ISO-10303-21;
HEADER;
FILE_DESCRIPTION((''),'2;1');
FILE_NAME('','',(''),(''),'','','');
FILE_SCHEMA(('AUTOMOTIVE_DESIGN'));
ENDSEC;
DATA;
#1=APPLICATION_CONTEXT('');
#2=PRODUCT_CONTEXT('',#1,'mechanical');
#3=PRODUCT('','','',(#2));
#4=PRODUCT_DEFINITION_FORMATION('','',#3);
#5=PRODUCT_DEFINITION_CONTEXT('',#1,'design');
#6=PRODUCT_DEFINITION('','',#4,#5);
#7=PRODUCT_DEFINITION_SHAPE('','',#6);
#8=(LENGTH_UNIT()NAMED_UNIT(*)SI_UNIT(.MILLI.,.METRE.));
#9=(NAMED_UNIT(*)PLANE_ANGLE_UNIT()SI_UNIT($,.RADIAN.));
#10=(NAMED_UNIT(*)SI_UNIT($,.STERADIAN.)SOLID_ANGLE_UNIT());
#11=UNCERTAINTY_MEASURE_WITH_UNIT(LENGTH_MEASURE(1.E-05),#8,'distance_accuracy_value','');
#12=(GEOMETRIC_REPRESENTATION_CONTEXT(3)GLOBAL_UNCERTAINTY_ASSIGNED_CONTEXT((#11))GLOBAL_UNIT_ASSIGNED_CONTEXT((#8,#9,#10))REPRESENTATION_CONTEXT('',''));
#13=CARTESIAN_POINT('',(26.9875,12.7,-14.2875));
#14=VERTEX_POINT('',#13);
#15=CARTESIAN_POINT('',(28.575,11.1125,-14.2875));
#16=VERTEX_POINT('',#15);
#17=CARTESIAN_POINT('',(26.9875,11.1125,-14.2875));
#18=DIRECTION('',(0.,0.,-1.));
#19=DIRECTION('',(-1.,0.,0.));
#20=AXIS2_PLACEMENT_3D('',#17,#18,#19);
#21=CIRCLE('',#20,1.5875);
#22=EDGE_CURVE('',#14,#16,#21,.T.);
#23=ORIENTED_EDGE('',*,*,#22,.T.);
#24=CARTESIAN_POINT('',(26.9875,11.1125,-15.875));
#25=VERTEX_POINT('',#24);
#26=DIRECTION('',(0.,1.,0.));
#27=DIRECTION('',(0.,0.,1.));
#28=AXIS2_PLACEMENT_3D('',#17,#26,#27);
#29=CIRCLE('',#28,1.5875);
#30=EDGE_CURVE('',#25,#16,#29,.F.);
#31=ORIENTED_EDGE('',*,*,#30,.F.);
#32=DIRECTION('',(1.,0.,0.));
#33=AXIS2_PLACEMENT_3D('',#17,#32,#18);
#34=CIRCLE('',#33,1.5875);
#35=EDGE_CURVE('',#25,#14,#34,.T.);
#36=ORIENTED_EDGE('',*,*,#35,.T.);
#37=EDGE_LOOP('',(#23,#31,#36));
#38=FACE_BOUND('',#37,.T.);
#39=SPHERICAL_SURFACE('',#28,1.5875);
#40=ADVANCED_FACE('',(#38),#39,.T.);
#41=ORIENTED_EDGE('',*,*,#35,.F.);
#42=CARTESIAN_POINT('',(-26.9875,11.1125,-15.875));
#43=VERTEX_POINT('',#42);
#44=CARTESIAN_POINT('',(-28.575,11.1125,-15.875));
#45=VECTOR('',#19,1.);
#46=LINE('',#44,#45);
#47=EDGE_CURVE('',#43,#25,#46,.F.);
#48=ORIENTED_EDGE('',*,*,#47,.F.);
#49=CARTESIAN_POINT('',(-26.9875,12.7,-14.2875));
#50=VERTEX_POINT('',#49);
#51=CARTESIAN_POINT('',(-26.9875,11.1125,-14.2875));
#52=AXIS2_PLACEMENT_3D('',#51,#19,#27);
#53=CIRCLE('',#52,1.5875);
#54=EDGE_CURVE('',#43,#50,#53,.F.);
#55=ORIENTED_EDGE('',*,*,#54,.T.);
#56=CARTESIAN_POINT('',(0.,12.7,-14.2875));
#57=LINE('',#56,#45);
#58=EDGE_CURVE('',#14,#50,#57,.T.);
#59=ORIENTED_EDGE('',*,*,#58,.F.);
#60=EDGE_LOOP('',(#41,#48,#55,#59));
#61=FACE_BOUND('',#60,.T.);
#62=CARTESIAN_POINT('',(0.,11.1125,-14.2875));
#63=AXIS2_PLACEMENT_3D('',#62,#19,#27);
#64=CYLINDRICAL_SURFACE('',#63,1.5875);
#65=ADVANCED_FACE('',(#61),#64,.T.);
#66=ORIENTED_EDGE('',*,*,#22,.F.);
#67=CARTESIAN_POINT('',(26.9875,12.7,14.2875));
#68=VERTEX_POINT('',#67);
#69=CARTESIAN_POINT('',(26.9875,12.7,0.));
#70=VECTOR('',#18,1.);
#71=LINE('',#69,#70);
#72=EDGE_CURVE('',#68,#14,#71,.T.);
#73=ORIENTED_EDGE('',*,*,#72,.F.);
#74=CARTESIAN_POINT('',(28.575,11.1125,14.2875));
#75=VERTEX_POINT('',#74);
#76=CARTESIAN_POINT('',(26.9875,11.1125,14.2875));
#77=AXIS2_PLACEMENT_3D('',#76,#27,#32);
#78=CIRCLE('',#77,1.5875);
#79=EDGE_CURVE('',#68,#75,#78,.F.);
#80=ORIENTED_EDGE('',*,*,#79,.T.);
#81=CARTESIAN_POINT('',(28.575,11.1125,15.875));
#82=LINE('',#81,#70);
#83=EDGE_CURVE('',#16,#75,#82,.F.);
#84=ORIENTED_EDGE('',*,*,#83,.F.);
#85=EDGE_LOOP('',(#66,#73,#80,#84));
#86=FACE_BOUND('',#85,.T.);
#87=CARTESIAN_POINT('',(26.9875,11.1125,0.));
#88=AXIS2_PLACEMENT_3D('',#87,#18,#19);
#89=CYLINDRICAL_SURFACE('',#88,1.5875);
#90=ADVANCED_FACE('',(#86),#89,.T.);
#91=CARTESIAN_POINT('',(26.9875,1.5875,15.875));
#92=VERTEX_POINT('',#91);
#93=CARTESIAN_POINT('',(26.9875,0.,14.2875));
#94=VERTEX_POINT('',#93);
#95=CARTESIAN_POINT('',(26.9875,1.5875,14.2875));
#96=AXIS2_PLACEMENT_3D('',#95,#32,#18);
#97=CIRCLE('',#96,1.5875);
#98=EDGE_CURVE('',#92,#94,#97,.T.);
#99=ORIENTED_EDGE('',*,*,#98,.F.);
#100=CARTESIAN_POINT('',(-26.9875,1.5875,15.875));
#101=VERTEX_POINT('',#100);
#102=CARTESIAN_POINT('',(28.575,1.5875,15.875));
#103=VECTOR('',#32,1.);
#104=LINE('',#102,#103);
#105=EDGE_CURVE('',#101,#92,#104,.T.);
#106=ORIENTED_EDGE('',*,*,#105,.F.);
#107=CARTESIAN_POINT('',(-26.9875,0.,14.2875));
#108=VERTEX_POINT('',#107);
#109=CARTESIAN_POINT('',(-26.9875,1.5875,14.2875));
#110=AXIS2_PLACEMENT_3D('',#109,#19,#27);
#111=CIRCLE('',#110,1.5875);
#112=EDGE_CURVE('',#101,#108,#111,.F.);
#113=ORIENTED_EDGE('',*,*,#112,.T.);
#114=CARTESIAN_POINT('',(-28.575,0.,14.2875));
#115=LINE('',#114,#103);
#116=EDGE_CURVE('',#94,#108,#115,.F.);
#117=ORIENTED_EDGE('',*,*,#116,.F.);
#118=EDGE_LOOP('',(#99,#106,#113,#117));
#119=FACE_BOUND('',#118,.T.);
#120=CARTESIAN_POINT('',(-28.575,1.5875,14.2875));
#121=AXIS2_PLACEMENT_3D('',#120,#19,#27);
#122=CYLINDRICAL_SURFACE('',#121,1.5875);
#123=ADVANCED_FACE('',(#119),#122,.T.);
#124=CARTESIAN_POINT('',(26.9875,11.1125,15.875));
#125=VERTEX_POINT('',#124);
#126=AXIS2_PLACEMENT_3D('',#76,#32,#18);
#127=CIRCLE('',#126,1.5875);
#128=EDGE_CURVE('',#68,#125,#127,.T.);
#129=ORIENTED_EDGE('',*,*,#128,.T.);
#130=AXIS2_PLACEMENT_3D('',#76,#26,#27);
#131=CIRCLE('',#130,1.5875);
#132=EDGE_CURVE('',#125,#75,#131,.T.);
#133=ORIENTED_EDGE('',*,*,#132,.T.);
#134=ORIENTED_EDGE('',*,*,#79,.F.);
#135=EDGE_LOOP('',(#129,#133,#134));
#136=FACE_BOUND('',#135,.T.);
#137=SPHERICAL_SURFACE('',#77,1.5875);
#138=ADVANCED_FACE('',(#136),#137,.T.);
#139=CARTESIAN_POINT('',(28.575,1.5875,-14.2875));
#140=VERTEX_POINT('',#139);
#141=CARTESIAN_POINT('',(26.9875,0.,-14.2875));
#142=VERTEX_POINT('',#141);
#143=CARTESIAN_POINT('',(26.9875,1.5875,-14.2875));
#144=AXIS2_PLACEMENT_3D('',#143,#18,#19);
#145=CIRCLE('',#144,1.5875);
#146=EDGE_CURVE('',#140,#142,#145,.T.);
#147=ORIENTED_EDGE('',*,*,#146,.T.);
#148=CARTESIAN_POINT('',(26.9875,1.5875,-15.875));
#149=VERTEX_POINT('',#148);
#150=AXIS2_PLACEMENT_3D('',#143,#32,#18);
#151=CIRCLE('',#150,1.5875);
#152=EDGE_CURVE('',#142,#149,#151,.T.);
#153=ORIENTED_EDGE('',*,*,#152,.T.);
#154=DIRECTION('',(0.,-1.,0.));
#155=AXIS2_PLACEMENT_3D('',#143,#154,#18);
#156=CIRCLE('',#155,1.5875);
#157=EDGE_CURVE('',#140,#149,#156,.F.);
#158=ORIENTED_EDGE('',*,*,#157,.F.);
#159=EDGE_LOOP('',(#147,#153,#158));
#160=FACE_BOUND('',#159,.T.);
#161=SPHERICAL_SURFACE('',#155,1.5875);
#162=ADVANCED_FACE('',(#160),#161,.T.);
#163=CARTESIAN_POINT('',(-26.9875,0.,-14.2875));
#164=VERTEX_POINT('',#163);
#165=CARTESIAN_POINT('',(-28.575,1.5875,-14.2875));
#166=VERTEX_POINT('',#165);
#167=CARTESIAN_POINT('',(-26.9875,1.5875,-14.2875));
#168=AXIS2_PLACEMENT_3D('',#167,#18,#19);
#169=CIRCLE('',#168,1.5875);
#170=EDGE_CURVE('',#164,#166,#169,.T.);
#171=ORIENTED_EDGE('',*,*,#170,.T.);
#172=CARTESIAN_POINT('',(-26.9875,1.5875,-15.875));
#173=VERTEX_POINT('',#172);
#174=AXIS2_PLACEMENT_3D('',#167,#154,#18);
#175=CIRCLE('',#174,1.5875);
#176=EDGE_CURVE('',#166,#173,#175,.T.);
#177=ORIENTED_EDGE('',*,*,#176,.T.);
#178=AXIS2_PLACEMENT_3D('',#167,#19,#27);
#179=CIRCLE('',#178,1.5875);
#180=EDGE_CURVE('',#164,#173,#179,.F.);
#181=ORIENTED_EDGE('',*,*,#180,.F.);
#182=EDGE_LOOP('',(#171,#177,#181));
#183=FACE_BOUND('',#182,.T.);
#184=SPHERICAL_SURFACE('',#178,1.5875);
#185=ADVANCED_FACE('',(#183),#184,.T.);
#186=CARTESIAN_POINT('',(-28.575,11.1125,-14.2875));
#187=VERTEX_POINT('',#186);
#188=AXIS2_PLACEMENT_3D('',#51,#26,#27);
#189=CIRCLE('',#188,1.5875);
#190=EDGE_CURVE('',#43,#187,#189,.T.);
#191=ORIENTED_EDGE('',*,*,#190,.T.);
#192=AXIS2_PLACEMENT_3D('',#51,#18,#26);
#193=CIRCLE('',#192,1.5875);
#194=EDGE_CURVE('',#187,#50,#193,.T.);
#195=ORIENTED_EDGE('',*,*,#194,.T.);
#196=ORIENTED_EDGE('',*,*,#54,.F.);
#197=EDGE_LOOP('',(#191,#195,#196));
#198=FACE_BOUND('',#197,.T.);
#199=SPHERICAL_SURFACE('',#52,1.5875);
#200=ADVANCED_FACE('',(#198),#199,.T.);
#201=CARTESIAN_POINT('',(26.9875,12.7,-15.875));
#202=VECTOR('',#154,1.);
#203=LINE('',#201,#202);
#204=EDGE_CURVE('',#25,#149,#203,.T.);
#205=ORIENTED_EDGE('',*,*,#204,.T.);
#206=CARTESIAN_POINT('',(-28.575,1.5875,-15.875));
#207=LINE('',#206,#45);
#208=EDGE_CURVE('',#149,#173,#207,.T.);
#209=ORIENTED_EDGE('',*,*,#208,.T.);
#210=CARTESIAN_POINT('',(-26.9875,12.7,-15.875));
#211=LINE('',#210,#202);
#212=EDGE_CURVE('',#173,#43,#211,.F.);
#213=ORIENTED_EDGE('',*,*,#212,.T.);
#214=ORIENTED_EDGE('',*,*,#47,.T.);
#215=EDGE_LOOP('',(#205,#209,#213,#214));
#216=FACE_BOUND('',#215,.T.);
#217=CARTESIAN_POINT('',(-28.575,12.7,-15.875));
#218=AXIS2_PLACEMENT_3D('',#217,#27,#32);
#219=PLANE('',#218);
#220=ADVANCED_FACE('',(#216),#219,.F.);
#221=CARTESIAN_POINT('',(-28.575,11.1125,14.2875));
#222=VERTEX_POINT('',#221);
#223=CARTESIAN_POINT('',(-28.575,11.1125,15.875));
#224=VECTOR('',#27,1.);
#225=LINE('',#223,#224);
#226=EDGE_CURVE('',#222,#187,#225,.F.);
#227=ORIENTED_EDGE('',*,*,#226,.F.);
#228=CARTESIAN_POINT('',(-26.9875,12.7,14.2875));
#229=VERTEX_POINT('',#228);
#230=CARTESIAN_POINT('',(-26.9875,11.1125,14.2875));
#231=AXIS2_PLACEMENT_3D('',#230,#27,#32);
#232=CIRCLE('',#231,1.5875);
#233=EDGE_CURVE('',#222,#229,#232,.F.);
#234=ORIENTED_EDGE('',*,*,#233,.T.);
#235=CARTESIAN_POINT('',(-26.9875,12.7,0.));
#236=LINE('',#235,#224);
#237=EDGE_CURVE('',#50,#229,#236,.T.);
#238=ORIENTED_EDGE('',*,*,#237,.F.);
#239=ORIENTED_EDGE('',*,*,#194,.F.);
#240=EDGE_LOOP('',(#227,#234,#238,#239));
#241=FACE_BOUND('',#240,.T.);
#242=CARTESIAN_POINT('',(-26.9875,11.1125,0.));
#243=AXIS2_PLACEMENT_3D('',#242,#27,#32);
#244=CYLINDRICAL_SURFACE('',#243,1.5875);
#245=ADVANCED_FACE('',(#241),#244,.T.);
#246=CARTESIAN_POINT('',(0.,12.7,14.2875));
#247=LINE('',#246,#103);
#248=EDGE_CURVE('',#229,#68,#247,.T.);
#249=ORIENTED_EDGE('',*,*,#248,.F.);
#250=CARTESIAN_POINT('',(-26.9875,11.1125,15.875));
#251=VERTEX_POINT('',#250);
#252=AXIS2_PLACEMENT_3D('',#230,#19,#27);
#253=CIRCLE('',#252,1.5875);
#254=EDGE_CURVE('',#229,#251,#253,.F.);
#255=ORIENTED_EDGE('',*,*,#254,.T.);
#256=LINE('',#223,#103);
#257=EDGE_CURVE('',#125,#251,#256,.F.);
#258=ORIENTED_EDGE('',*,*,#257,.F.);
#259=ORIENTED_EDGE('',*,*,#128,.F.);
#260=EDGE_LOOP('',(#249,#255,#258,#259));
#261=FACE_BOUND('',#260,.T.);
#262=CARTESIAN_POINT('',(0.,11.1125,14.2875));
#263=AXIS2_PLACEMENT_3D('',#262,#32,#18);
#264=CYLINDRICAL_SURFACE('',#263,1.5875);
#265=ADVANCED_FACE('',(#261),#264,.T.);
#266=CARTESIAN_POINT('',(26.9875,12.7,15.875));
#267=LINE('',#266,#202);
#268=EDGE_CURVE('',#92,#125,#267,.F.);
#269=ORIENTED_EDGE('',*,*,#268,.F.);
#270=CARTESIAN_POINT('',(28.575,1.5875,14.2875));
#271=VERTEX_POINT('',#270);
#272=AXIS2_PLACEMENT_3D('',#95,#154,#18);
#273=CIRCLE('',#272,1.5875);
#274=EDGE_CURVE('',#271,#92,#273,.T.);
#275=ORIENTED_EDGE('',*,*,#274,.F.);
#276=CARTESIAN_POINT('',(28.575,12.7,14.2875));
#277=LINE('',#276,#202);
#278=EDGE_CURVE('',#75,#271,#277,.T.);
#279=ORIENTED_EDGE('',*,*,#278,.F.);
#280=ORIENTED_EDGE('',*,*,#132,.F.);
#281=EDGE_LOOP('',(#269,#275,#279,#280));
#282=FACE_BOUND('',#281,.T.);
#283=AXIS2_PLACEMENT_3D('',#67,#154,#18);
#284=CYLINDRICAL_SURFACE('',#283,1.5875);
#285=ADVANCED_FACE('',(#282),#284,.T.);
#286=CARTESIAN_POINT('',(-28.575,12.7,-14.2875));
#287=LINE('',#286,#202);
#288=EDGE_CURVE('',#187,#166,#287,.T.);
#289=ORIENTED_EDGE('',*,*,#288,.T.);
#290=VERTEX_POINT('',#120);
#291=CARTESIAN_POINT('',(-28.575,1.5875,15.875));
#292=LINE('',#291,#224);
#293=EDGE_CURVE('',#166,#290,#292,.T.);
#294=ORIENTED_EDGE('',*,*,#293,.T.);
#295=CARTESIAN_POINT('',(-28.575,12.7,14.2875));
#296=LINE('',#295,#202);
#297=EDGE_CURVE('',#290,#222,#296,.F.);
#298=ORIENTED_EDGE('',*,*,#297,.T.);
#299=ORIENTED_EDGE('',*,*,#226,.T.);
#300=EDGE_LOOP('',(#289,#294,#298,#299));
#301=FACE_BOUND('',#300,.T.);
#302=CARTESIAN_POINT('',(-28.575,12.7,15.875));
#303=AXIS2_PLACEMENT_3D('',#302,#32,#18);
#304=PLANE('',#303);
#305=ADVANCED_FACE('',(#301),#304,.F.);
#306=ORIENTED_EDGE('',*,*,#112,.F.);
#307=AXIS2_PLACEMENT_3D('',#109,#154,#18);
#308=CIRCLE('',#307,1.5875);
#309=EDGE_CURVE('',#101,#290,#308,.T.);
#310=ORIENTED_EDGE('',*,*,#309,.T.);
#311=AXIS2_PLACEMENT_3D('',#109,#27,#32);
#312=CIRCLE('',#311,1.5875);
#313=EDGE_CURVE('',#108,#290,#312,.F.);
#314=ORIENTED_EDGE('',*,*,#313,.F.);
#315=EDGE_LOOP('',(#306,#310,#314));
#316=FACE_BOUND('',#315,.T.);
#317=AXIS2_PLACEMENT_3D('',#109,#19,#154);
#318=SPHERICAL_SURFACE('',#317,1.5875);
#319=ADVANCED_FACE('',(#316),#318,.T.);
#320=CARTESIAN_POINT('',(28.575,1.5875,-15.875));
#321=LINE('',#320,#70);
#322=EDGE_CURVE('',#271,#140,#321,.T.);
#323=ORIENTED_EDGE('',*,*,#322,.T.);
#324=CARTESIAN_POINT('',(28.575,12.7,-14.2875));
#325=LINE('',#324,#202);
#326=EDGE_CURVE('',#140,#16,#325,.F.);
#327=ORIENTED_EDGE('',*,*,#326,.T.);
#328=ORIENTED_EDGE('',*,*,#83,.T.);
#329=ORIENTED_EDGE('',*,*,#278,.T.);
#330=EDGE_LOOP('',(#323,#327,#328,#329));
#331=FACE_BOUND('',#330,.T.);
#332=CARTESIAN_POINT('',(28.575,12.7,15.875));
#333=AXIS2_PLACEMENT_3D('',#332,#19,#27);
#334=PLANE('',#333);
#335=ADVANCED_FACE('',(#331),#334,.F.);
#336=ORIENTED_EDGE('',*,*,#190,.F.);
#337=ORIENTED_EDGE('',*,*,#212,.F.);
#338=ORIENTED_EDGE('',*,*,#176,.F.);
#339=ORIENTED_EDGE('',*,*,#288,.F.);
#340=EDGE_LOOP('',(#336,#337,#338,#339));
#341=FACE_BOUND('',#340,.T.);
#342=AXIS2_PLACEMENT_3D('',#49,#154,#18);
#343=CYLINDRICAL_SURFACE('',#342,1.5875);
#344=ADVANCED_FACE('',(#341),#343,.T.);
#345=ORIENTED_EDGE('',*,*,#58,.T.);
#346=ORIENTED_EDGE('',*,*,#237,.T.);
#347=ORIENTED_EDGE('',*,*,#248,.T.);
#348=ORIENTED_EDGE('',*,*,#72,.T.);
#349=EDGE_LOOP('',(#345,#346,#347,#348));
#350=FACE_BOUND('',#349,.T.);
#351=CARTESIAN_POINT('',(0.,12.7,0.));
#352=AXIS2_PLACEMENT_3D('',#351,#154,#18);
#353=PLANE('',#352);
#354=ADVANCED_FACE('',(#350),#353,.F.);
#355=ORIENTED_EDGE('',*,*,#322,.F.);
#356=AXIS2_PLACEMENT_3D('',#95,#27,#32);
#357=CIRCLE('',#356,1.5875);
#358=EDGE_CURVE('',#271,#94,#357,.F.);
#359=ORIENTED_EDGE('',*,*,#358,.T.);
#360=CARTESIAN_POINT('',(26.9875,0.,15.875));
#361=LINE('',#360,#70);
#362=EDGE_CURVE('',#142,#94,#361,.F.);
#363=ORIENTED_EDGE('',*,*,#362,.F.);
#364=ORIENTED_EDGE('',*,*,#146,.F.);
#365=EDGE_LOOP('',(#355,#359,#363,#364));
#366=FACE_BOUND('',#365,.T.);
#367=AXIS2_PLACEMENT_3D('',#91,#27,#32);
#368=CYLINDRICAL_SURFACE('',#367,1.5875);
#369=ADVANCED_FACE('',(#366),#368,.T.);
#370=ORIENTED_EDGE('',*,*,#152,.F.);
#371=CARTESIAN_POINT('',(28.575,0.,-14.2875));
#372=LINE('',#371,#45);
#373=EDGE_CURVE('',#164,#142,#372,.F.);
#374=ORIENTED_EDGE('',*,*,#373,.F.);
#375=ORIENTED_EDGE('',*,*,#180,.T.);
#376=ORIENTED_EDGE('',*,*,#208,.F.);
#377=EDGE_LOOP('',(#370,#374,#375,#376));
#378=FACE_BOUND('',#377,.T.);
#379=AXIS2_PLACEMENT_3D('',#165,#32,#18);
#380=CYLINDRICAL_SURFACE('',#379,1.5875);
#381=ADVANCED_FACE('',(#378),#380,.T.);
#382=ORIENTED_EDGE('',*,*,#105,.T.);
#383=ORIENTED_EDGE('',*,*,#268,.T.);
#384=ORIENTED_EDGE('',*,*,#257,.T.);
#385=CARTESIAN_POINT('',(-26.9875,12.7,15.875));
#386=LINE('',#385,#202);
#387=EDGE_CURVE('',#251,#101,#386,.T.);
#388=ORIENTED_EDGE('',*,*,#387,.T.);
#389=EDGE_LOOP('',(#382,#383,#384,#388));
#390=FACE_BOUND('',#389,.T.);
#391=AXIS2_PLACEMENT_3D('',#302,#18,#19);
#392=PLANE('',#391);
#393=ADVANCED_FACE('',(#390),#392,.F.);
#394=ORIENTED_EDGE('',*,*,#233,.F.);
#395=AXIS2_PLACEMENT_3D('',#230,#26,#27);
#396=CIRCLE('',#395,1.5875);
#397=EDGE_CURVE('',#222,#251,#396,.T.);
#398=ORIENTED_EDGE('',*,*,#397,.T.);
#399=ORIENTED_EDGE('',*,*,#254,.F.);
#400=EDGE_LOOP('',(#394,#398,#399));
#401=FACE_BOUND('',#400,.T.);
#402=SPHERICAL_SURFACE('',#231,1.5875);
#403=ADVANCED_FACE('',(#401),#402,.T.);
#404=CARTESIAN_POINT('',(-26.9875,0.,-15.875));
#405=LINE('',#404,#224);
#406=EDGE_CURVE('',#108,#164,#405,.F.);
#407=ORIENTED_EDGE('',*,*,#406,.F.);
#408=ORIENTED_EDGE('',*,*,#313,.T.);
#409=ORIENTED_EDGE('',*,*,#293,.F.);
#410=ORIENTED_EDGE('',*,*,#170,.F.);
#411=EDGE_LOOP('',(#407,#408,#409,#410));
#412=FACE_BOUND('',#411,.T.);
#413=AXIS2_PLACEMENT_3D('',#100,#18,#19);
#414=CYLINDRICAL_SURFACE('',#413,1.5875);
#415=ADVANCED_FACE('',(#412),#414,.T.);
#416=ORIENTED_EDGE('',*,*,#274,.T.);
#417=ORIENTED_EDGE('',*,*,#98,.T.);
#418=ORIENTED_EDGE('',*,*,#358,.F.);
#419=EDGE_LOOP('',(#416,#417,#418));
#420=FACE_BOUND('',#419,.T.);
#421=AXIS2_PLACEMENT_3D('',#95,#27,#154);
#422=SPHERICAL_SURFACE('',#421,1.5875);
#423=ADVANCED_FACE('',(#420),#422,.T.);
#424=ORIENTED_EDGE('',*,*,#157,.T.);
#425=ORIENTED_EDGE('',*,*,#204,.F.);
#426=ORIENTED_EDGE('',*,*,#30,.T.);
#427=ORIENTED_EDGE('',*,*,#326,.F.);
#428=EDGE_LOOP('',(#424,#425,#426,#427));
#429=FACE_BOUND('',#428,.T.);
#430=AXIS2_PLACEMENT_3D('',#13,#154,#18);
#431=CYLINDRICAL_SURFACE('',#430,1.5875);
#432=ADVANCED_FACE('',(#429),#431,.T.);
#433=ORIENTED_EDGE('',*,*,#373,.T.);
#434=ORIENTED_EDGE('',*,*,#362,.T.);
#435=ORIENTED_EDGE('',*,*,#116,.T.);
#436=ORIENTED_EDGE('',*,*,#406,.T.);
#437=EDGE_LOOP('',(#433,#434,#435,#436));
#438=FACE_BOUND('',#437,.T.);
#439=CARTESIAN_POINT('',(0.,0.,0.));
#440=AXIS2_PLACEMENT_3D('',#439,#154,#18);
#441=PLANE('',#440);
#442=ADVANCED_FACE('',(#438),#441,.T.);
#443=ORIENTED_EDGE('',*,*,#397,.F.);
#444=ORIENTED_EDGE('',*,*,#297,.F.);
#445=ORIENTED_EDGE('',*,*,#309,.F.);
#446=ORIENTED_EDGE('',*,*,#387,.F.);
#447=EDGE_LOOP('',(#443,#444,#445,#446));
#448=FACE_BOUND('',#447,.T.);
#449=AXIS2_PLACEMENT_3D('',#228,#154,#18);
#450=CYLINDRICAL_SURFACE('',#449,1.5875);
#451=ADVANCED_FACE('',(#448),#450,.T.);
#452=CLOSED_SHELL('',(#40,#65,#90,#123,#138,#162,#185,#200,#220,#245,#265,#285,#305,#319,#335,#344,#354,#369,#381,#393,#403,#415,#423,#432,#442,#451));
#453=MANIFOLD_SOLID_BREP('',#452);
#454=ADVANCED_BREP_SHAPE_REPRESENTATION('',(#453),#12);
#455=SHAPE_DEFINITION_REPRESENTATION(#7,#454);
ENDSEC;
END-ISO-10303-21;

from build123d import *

# Parameters (mm, degrees)
SKETCH1_W           = 57.15
SKETCH1_H           = 31.75
BOSS_EXTRUDE1_DEPTH = 12.7
FILLET1_R           = 1.5875


with BuildPart() as part:
    # Sketch1 → Boss-Extrude1 (new body)
    with BuildSketch(Plane(origin=(0, 0, 0), x_dir=(1, 0, 0), z_dir=(0, 1, 0))):
        Rectangle(SKETCH1_W, SKETCH1_H)
    extrude(amount=BOSS_EXTRUDE1_DEPTH)

    # Fillet1
    fillet1_edges = [part.edges().sort_by_distance(p)[0] for p in [
        (28.575, 12.7, 0),
        (0, 12.7, -15.875),
        (-28.575, 12.7, 0),
        (0, 0, -15.875),
        (28.575, 0, 0),
        (0, 0, 15.875),
        (-28.575, 0, 0),
        (-28.575, 6.35, -15.875),
        (28.575, 6.35, -15.875),
        (28.575, 6.35, 15.875),
        (-28.575, 6.35, 15.875),
        (0, 12.7, 15.875),
    ]]
    fillet(fillet1_edges, radius=FILLET1_R)


solid = part.part
